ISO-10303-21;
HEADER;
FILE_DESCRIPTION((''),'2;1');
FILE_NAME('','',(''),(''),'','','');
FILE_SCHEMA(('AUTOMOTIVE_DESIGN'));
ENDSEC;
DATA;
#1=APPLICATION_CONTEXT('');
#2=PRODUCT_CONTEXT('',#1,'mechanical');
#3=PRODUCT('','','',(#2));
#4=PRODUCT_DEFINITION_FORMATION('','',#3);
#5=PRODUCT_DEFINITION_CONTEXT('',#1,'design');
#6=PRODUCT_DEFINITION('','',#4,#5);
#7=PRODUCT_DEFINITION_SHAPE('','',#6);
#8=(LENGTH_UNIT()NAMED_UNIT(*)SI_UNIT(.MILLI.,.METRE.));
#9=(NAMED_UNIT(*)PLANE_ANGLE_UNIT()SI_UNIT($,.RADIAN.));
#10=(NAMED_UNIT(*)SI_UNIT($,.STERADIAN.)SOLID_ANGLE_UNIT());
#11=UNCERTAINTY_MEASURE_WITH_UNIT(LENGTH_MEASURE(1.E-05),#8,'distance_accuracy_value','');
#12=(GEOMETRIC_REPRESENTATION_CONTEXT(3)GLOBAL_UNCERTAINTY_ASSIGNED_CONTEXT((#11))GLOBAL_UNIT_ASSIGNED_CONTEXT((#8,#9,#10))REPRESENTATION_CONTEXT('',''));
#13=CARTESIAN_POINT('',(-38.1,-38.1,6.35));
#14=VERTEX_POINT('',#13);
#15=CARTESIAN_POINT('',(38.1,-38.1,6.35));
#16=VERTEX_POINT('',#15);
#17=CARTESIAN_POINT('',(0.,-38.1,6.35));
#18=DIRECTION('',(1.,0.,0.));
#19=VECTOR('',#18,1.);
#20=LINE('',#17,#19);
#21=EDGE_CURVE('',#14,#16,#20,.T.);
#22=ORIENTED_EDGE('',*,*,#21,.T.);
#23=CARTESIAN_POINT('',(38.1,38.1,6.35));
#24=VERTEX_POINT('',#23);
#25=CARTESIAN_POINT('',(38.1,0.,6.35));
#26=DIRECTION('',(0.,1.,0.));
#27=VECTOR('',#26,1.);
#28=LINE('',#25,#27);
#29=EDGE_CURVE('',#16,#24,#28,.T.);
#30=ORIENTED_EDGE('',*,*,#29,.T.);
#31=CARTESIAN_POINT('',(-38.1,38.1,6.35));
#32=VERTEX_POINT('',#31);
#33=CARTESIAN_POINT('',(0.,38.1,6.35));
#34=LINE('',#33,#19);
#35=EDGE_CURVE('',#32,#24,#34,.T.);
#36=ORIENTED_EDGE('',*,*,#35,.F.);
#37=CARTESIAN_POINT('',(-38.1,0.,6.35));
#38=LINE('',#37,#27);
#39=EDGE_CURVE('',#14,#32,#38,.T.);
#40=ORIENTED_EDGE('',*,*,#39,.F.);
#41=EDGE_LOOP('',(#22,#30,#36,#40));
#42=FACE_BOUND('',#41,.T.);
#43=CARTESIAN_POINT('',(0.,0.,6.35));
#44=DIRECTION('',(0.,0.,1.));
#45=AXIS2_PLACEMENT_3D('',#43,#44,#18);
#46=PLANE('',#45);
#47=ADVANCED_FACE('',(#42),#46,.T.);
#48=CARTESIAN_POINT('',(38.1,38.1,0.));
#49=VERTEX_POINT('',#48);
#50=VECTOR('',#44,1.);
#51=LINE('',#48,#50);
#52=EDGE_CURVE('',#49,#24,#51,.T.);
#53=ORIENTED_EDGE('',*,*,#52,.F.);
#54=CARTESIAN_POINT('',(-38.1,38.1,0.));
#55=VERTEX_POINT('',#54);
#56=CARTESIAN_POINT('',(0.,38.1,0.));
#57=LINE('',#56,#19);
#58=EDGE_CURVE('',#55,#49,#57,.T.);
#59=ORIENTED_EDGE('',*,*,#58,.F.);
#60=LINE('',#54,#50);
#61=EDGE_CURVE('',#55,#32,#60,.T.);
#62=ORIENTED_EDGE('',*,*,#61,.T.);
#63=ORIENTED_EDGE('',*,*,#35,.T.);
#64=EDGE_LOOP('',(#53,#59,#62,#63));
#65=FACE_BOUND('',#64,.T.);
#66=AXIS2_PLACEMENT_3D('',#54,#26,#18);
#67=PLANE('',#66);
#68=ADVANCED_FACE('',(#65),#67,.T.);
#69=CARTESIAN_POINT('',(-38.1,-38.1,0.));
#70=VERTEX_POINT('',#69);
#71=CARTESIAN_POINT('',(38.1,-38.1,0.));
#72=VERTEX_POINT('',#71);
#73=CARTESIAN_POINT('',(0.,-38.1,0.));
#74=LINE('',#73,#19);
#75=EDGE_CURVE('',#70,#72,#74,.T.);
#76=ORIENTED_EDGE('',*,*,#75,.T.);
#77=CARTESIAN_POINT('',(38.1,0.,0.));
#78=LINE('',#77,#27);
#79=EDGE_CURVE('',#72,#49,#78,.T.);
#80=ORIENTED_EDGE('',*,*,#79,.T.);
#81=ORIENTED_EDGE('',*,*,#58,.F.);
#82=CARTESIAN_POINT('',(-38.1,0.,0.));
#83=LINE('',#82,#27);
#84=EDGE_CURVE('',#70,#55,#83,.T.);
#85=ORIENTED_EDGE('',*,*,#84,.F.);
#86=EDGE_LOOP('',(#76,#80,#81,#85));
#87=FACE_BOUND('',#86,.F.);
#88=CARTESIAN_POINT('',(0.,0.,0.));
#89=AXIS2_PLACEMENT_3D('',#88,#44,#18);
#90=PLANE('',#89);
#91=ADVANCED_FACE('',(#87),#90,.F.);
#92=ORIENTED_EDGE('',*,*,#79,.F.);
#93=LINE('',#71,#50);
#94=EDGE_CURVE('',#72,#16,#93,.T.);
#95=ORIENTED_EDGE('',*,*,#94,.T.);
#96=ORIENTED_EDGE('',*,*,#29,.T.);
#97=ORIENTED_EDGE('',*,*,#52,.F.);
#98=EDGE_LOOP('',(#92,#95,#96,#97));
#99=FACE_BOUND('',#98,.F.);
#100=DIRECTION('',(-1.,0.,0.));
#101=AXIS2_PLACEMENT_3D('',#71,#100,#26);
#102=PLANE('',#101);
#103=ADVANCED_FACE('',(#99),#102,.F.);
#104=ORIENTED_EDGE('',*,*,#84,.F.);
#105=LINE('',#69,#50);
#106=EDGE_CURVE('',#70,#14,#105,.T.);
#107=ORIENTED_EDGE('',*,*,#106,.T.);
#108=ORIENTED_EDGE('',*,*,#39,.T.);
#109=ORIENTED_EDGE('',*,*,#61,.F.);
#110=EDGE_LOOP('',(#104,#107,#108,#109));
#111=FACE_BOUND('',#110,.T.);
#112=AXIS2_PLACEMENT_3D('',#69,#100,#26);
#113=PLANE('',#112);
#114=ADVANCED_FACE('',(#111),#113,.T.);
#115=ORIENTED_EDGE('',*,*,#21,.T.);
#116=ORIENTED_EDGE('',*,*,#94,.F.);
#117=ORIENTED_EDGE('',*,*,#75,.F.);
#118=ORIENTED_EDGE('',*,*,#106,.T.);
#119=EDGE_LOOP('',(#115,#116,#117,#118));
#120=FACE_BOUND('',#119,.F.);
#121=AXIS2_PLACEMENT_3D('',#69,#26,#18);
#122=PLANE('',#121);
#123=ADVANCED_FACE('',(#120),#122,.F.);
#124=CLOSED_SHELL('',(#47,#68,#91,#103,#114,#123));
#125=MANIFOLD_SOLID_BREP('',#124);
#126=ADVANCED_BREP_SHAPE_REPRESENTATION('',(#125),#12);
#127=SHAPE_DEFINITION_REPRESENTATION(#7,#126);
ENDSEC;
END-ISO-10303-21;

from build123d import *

# Parameters (mm, degrees)
SKETCH1_W           = 76.2
SKETCH1_H           = 76.2
BOSS_EXTRUDE1_DEPTH = 6.35


with BuildPart() as part:
    # Sketch1 → Boss-Extrude1 (new body)
    with BuildSketch(Plane.XY):
        Rectangle(SKETCH1_W, SKETCH1_H)
    extrude(amount=BOSS_EXTRUDE1_DEPTH)


solid = part.part
